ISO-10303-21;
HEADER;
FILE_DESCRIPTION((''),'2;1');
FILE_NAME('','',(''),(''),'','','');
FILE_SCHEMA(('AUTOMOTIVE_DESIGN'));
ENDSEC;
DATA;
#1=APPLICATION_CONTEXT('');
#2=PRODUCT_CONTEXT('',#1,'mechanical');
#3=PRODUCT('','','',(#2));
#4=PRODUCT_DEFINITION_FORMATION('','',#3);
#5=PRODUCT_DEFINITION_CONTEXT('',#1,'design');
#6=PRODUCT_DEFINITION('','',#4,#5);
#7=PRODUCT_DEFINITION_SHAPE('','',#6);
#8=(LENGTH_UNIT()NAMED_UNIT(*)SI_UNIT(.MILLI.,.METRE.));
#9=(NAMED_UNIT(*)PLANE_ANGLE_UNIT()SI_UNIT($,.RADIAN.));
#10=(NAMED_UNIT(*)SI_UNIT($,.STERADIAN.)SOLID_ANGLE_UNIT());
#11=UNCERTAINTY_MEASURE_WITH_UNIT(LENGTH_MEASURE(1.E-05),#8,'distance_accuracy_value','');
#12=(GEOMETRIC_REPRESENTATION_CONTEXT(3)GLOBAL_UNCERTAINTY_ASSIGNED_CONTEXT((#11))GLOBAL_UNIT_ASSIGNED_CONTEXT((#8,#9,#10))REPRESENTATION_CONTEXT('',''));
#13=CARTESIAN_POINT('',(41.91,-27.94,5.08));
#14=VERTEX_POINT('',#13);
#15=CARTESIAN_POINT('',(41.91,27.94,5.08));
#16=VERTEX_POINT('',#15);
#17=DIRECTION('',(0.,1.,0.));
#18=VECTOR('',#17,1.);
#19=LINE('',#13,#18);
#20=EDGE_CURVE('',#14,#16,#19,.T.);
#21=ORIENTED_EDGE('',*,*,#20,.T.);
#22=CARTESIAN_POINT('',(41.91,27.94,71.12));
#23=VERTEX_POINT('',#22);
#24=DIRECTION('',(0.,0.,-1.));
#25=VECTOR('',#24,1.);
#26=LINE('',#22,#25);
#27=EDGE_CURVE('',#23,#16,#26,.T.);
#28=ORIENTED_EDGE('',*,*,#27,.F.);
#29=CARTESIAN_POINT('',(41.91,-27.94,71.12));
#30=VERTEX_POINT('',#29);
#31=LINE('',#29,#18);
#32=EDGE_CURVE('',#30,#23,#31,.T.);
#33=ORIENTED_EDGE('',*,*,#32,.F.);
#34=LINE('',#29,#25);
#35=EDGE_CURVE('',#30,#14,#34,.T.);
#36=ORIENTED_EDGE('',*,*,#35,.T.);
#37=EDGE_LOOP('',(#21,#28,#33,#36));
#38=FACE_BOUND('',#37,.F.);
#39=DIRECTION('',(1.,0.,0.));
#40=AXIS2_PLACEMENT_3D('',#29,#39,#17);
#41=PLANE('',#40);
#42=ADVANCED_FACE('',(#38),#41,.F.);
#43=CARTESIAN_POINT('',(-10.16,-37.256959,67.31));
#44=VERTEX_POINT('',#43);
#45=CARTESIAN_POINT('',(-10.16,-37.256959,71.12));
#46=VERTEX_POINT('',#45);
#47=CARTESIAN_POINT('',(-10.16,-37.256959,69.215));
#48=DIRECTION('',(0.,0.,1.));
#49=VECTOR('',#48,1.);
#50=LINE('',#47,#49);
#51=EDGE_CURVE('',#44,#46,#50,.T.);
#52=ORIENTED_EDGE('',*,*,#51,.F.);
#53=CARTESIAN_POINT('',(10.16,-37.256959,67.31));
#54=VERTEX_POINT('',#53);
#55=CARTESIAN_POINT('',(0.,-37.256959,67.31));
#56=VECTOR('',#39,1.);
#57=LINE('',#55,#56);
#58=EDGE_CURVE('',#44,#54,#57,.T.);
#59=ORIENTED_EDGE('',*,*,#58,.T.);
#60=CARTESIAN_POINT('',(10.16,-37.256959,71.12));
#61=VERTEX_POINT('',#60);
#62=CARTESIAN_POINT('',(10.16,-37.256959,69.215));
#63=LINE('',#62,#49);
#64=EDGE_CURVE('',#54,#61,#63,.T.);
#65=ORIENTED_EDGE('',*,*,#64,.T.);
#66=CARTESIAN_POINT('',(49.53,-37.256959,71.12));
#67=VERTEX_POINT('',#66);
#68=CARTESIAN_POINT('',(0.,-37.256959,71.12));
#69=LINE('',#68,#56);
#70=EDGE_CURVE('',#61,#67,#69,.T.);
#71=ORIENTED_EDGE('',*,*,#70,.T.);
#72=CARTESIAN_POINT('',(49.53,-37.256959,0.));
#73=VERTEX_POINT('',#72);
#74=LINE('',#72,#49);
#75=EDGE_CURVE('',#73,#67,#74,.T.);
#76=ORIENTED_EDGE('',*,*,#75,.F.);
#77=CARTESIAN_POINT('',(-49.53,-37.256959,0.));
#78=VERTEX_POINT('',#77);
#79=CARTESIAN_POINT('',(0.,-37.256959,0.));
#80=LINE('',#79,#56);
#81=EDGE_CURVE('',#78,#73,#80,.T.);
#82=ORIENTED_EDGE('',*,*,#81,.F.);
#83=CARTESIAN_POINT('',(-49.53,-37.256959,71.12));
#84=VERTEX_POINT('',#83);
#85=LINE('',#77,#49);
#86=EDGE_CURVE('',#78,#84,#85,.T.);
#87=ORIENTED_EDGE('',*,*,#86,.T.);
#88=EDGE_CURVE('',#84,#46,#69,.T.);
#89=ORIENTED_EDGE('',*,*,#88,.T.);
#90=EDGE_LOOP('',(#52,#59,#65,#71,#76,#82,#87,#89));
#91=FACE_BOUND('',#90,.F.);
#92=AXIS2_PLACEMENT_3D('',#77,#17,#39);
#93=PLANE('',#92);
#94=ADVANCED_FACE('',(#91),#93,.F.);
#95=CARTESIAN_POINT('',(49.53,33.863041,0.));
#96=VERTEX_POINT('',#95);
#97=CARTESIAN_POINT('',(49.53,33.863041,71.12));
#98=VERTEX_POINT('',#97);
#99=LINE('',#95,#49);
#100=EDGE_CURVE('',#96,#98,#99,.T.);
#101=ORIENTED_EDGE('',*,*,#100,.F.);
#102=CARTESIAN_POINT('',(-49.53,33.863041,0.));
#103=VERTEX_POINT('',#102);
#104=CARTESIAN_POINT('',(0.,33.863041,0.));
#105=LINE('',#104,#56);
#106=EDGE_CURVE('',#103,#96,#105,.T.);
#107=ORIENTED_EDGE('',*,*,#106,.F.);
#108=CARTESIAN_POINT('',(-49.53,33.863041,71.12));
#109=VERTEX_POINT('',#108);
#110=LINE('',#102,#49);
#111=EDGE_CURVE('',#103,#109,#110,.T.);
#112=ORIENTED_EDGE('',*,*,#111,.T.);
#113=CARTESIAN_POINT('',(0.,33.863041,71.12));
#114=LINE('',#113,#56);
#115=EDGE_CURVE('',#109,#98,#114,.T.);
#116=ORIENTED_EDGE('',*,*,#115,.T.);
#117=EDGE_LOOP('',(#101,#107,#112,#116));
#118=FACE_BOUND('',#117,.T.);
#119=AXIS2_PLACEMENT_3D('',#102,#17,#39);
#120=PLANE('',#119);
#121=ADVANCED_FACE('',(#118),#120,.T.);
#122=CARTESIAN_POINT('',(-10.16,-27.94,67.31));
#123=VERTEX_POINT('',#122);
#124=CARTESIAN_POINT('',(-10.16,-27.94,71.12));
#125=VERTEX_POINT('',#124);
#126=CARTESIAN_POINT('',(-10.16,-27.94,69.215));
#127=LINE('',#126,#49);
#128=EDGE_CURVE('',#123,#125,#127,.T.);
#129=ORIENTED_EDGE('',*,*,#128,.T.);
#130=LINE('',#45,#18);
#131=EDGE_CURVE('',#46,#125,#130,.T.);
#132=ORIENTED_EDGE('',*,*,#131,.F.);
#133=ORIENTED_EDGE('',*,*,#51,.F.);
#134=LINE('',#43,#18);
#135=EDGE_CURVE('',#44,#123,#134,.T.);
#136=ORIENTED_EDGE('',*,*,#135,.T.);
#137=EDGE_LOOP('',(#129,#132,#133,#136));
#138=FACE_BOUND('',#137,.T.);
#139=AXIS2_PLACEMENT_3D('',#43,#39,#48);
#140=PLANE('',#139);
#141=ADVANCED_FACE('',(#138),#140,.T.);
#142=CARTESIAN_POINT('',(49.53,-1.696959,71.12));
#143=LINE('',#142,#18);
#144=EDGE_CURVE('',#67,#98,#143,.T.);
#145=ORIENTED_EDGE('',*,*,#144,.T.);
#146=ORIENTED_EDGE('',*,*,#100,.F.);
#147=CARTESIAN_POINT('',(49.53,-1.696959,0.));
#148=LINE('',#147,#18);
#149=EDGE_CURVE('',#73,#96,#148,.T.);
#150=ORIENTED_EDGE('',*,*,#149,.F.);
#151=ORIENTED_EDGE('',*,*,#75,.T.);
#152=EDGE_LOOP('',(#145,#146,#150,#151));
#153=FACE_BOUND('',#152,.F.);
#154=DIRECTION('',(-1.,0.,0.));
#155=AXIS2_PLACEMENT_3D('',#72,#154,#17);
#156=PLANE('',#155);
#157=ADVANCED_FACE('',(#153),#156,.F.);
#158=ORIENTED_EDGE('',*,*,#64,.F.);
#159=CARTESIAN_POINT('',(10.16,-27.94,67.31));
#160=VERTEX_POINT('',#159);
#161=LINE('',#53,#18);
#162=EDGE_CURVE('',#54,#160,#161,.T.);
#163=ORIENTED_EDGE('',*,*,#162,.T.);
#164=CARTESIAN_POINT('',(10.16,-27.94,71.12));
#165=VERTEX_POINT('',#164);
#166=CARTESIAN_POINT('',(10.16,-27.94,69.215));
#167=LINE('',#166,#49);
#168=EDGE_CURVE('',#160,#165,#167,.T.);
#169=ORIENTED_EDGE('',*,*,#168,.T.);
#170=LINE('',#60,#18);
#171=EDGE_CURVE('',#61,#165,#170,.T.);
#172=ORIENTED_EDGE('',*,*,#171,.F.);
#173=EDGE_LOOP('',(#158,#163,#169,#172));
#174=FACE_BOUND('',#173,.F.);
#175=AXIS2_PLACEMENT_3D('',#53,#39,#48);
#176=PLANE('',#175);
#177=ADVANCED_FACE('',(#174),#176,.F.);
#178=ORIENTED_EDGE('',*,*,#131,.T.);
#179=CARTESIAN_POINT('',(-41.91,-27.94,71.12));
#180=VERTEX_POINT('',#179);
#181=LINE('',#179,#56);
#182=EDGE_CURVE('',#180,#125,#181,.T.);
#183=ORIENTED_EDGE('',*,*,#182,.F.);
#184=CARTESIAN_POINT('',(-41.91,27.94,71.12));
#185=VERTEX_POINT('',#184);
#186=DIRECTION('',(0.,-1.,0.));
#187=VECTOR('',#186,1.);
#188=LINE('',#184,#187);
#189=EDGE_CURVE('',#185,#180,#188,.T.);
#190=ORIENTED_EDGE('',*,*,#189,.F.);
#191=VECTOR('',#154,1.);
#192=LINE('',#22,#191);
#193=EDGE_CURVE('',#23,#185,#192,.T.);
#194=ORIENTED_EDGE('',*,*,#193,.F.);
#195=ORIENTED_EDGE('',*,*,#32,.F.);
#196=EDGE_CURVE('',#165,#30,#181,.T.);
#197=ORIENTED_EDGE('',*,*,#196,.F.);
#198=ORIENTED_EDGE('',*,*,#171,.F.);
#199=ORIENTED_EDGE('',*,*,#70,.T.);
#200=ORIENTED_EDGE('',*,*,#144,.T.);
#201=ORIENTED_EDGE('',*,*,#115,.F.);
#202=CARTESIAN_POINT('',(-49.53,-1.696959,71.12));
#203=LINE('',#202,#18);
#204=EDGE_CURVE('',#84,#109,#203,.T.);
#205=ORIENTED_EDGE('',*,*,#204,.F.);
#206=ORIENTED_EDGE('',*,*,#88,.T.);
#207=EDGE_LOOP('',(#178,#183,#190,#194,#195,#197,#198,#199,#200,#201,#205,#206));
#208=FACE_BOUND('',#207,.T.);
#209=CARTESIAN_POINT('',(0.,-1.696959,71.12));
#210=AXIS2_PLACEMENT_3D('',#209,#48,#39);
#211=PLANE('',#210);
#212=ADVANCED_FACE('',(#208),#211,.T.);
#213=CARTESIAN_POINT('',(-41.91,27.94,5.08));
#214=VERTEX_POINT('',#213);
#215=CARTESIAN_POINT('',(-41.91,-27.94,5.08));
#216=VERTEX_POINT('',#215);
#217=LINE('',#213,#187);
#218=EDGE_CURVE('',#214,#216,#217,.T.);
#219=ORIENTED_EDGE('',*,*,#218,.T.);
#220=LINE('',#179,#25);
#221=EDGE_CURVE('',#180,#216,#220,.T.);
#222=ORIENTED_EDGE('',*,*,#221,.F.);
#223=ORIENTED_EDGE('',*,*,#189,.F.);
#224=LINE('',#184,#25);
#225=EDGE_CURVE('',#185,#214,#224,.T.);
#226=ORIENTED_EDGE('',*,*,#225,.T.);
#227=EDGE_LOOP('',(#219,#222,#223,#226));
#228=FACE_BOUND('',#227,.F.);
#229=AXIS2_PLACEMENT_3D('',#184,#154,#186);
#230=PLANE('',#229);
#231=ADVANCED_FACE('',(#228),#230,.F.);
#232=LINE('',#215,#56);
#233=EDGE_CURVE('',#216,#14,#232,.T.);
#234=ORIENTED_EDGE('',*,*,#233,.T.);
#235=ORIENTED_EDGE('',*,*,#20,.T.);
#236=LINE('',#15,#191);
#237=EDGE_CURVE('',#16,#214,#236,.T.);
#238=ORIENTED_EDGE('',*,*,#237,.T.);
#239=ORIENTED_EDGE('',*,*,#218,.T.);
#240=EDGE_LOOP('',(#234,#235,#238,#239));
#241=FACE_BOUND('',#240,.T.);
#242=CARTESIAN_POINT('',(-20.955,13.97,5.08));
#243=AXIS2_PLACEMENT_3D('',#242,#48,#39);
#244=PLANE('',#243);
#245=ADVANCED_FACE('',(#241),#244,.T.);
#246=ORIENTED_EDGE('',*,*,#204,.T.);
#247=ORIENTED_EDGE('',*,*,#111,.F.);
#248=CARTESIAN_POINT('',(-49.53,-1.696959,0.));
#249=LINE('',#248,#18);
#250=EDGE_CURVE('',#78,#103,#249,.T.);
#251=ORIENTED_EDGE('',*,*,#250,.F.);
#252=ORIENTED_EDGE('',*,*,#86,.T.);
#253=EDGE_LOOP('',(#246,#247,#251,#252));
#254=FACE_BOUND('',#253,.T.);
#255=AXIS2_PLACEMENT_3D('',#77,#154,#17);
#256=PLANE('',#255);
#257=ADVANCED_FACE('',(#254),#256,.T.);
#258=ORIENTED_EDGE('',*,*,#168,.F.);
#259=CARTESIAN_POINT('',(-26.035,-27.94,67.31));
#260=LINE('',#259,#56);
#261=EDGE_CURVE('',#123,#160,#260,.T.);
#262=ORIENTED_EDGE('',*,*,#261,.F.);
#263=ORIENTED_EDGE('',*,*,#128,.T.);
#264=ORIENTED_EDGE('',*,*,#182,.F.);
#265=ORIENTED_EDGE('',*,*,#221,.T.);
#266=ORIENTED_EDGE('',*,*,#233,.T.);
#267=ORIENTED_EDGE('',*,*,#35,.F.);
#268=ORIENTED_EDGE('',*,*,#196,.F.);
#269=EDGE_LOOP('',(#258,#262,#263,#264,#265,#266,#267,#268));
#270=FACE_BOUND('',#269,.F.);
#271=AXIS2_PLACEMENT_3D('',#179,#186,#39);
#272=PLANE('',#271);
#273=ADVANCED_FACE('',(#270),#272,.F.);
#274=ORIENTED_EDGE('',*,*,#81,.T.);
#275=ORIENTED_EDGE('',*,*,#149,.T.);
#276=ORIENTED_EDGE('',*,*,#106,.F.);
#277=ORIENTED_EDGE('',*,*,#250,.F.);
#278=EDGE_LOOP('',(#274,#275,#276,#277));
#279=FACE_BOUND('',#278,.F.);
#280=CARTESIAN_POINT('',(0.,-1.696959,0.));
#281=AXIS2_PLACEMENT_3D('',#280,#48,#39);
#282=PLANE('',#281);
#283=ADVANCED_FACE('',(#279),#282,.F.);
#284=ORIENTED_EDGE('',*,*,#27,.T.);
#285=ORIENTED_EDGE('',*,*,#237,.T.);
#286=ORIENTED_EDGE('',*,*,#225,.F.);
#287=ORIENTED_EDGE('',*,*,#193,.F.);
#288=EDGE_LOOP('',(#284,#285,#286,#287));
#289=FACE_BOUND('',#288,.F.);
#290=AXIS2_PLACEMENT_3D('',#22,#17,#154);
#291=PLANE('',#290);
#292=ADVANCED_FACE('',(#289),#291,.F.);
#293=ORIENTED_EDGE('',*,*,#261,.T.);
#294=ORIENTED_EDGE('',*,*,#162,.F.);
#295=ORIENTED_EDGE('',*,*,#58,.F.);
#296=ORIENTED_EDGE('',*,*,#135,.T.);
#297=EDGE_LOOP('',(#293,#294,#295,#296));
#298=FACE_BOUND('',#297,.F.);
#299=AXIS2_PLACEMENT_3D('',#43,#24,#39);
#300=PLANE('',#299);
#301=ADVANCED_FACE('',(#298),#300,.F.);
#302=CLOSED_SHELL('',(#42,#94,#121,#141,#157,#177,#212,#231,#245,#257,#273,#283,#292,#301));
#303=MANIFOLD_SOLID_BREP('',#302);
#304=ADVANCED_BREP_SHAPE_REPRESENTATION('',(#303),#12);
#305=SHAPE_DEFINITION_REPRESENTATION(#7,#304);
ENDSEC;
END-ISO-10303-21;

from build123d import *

# Parameters (mm, degrees)
F0_W     = 99.06
F0_H     = 71.12
F1_DEPTH = 71.12
F2_W     = 41.91
F2_H     = 27.94
F3_DEPTH = 66.04
F4_W     = 20.32
F4_H     = 3.81
F5_DEPTH = 10.16


with BuildPart() as f1:
    # F0 (on Top) → F1 (new body)
    with BuildSketch(Plane.XY):
        with Locations((0, -1.696959)):
            Rectangle(F0_W, F0_H)
    extrude(amount=F1_DEPTH)

    # F2 (on face) → F3 (cut)
    with BuildSketch(Plane.XY.offset(71.12)):
        with Locations((-20.955, 13.97)):
            Rectangle(F2_W, F2_H)
        with Locations((20.955, 13.97)):
            Rectangle(F2_W, F2_H)
        with Locations((20.955, -13.97)):
            Rectangle(F2_W, F2_H)
        with Locations((-20.955, -13.97)):
            Rectangle(F2_W, F2_H)
    extrude(amount=-F3_DEPTH, mode=Mode.SUBTRACT)

    # F4 (on face) → F5 (cut)
    with BuildSketch(Plane.XZ.offset(37.256959)):
        with Locations((0, 69.215)):
            Rectangle(F4_W, F4_H)
    extrude(amount=-F5_DEPTH, mode=Mode.SUBTRACT)


solid = f1.part
